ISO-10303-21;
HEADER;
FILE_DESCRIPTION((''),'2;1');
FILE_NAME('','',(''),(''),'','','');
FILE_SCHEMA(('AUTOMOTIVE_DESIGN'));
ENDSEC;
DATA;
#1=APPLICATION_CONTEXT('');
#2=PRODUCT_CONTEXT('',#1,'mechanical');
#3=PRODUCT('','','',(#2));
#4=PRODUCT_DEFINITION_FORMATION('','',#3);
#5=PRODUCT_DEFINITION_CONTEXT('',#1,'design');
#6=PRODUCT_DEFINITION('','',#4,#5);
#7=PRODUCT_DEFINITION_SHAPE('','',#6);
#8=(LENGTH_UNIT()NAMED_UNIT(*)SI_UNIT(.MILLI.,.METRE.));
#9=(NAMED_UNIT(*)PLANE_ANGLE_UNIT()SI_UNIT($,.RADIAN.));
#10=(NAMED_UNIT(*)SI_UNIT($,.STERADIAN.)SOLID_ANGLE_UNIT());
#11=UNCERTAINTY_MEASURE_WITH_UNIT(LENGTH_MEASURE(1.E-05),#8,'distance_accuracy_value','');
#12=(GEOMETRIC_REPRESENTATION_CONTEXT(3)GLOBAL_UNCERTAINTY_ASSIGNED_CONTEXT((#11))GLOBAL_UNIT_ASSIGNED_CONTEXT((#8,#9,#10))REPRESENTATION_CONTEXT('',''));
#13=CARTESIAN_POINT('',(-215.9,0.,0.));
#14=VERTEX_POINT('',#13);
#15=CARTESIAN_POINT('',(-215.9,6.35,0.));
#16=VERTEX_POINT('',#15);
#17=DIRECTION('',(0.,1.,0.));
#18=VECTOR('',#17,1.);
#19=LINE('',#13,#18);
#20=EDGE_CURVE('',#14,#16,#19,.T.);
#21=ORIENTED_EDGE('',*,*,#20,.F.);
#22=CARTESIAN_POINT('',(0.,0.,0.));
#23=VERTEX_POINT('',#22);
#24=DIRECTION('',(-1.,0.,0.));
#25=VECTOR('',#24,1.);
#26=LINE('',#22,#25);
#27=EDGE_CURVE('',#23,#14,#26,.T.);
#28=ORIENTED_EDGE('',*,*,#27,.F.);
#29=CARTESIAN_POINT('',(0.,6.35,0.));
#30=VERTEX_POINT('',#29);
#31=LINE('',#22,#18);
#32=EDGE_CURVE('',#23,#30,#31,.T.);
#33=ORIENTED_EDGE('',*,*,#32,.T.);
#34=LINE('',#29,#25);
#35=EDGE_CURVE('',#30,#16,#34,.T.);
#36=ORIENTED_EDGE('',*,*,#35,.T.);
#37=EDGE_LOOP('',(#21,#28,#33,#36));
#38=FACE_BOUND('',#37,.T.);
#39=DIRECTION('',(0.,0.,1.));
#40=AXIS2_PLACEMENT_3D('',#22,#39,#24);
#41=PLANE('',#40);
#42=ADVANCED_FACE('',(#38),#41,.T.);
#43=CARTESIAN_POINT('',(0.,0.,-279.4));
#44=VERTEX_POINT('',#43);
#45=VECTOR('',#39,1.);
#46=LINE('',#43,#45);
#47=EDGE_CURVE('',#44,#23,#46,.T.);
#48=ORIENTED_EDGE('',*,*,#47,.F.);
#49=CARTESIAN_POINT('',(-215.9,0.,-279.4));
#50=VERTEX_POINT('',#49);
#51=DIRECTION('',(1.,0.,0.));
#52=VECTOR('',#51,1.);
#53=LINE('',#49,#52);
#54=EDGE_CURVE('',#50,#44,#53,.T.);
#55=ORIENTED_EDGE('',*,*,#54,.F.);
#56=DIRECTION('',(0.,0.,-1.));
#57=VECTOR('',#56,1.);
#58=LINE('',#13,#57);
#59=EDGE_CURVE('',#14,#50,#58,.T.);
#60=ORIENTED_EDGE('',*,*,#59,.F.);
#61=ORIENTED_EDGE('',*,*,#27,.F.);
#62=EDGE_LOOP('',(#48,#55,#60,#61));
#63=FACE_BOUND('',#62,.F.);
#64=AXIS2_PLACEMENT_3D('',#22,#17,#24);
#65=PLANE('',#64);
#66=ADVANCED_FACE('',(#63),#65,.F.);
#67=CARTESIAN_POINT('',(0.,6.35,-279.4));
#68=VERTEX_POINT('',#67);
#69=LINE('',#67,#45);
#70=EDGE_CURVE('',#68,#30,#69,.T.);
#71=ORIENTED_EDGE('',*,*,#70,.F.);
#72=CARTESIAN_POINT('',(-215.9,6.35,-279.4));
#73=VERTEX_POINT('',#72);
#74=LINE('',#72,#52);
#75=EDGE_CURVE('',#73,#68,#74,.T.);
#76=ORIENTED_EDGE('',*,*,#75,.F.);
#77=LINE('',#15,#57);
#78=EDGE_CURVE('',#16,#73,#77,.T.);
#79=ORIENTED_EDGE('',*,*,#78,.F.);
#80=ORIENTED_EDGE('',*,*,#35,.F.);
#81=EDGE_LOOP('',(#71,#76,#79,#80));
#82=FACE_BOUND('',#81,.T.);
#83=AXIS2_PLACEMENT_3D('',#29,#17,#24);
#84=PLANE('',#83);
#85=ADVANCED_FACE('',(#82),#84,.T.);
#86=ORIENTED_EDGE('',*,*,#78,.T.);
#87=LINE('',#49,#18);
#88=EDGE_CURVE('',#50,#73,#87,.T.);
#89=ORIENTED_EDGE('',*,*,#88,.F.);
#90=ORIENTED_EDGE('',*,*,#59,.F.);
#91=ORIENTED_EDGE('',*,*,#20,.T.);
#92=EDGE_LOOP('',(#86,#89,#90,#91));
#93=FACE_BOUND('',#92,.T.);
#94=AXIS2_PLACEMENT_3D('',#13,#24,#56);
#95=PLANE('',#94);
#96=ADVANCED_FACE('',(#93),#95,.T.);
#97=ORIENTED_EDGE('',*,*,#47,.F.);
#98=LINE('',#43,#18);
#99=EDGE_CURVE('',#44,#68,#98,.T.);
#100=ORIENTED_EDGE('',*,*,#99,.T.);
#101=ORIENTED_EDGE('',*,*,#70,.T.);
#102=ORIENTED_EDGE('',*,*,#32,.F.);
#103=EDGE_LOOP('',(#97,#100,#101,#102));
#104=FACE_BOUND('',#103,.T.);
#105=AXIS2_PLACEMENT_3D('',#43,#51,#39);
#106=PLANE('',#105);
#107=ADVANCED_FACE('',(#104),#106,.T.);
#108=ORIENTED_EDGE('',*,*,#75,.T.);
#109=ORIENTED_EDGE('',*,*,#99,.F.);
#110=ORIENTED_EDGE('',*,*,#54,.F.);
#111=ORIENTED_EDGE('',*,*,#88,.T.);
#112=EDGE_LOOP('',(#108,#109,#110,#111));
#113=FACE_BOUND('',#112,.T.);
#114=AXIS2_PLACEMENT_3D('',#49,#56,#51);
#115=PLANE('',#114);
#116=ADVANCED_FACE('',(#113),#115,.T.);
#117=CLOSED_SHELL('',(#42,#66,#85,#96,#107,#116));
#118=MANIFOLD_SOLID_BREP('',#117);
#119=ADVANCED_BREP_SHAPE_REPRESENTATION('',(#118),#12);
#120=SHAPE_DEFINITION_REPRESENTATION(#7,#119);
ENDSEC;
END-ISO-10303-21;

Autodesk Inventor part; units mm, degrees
ref_plane "YZ Plane" through (0, 0, 0) normal (1, 0, 0) x (0, 1, 0)
ref_plane "XZ Plane" through (0, 0, 0) normal (0, 1, 0) x (-1, 0, 0)
ref_plane "XY Plane" through (0, 0, 0) normal (0, 0, 1) x (1, 0, 0)
sketch "Sketch1" plane through (0, 0, 0) normal (0, 1, 0) x (-1, 0, 0)
  line L0 (0, 0) -> (215.9, 0)
  line L1 (215.9, 0) -> (215.9, -279.4)
  line L2 (215.9, -279.4) -> (0, -279.4)
  line L3 (0, -279.4) -> (0, 0)
  dimension "d0" = 279.4
  dimension "d1" = 215.9
extrude "Extrusion1" add sketch "Sketch1" along normal blind 6.35
properties part number "CuttingBoardPrint"
